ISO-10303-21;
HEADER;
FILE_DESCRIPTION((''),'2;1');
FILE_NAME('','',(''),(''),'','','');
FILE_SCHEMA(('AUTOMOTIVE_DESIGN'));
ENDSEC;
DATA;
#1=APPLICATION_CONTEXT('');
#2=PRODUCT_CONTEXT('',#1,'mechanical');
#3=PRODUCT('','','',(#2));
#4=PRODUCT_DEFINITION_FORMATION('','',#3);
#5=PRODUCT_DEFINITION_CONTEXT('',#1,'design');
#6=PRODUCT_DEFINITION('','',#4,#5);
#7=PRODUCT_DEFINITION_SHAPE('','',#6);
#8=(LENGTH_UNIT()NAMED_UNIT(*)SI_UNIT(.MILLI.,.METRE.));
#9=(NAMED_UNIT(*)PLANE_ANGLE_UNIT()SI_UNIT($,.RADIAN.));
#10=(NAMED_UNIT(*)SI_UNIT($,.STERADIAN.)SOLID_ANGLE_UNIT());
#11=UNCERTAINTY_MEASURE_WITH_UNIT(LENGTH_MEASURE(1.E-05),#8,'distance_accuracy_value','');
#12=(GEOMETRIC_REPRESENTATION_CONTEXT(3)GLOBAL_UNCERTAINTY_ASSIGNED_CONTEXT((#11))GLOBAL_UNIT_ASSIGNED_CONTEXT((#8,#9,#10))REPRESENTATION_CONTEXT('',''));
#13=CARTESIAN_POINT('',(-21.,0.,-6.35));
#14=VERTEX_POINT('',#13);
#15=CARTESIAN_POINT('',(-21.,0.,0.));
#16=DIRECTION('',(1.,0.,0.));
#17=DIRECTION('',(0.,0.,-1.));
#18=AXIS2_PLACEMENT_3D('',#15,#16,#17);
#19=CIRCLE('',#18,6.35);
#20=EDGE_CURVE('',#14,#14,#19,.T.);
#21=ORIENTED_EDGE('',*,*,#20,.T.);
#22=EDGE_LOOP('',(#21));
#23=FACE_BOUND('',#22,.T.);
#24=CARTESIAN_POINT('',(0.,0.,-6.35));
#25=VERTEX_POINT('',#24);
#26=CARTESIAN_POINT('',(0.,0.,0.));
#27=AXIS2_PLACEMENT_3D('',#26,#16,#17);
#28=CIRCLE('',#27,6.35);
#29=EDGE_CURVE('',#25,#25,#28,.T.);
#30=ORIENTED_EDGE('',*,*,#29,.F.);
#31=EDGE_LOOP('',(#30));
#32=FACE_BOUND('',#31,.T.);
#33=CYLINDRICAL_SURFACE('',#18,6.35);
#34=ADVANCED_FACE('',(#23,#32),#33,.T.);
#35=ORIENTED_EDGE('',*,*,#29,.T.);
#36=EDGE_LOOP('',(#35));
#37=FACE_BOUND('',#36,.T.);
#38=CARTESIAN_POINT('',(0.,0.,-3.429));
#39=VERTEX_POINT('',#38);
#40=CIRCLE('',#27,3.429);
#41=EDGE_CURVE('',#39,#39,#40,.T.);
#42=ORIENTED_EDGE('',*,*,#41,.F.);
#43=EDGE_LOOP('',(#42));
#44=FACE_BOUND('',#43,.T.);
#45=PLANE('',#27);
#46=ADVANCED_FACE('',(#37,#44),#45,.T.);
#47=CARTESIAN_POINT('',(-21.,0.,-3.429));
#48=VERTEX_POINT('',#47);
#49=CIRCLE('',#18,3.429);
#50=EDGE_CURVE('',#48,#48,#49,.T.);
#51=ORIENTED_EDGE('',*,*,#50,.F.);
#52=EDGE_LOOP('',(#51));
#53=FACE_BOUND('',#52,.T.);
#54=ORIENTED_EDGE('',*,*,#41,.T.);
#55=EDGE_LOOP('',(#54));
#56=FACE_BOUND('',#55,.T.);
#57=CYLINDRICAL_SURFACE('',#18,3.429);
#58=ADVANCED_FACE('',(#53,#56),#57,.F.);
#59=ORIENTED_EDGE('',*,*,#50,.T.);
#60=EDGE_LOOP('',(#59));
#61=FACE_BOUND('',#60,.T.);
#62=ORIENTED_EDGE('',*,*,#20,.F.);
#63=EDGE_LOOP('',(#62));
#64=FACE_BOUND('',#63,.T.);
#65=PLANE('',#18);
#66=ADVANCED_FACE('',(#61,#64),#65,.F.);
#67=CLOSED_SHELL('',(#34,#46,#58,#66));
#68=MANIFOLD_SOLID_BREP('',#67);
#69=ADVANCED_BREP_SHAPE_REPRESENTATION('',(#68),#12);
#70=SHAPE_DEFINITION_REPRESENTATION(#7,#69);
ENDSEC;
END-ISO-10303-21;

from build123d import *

# Parameters (mm, degrees)
ESQUISSE1_R        = 6.35
ESQUISSE1_R_2      = 3.429
BOSS_EXTRU_1_DEPTH = 21


with BuildPart() as part:
    # Esquisse1 → Boss.-Extru.1 (new body)
    with BuildSketch(Plane(origin=(0, 0, 0), x_dir=(0, 0, -1), z_dir=(1, 0, 0))):
        Circle(ESQUISSE1_R)
        Circle(ESQUISSE1_R_2, mode=Mode.SUBTRACT)
    extrude(amount=-BOSS_EXTRU_1_DEPTH)


solid = part.part
